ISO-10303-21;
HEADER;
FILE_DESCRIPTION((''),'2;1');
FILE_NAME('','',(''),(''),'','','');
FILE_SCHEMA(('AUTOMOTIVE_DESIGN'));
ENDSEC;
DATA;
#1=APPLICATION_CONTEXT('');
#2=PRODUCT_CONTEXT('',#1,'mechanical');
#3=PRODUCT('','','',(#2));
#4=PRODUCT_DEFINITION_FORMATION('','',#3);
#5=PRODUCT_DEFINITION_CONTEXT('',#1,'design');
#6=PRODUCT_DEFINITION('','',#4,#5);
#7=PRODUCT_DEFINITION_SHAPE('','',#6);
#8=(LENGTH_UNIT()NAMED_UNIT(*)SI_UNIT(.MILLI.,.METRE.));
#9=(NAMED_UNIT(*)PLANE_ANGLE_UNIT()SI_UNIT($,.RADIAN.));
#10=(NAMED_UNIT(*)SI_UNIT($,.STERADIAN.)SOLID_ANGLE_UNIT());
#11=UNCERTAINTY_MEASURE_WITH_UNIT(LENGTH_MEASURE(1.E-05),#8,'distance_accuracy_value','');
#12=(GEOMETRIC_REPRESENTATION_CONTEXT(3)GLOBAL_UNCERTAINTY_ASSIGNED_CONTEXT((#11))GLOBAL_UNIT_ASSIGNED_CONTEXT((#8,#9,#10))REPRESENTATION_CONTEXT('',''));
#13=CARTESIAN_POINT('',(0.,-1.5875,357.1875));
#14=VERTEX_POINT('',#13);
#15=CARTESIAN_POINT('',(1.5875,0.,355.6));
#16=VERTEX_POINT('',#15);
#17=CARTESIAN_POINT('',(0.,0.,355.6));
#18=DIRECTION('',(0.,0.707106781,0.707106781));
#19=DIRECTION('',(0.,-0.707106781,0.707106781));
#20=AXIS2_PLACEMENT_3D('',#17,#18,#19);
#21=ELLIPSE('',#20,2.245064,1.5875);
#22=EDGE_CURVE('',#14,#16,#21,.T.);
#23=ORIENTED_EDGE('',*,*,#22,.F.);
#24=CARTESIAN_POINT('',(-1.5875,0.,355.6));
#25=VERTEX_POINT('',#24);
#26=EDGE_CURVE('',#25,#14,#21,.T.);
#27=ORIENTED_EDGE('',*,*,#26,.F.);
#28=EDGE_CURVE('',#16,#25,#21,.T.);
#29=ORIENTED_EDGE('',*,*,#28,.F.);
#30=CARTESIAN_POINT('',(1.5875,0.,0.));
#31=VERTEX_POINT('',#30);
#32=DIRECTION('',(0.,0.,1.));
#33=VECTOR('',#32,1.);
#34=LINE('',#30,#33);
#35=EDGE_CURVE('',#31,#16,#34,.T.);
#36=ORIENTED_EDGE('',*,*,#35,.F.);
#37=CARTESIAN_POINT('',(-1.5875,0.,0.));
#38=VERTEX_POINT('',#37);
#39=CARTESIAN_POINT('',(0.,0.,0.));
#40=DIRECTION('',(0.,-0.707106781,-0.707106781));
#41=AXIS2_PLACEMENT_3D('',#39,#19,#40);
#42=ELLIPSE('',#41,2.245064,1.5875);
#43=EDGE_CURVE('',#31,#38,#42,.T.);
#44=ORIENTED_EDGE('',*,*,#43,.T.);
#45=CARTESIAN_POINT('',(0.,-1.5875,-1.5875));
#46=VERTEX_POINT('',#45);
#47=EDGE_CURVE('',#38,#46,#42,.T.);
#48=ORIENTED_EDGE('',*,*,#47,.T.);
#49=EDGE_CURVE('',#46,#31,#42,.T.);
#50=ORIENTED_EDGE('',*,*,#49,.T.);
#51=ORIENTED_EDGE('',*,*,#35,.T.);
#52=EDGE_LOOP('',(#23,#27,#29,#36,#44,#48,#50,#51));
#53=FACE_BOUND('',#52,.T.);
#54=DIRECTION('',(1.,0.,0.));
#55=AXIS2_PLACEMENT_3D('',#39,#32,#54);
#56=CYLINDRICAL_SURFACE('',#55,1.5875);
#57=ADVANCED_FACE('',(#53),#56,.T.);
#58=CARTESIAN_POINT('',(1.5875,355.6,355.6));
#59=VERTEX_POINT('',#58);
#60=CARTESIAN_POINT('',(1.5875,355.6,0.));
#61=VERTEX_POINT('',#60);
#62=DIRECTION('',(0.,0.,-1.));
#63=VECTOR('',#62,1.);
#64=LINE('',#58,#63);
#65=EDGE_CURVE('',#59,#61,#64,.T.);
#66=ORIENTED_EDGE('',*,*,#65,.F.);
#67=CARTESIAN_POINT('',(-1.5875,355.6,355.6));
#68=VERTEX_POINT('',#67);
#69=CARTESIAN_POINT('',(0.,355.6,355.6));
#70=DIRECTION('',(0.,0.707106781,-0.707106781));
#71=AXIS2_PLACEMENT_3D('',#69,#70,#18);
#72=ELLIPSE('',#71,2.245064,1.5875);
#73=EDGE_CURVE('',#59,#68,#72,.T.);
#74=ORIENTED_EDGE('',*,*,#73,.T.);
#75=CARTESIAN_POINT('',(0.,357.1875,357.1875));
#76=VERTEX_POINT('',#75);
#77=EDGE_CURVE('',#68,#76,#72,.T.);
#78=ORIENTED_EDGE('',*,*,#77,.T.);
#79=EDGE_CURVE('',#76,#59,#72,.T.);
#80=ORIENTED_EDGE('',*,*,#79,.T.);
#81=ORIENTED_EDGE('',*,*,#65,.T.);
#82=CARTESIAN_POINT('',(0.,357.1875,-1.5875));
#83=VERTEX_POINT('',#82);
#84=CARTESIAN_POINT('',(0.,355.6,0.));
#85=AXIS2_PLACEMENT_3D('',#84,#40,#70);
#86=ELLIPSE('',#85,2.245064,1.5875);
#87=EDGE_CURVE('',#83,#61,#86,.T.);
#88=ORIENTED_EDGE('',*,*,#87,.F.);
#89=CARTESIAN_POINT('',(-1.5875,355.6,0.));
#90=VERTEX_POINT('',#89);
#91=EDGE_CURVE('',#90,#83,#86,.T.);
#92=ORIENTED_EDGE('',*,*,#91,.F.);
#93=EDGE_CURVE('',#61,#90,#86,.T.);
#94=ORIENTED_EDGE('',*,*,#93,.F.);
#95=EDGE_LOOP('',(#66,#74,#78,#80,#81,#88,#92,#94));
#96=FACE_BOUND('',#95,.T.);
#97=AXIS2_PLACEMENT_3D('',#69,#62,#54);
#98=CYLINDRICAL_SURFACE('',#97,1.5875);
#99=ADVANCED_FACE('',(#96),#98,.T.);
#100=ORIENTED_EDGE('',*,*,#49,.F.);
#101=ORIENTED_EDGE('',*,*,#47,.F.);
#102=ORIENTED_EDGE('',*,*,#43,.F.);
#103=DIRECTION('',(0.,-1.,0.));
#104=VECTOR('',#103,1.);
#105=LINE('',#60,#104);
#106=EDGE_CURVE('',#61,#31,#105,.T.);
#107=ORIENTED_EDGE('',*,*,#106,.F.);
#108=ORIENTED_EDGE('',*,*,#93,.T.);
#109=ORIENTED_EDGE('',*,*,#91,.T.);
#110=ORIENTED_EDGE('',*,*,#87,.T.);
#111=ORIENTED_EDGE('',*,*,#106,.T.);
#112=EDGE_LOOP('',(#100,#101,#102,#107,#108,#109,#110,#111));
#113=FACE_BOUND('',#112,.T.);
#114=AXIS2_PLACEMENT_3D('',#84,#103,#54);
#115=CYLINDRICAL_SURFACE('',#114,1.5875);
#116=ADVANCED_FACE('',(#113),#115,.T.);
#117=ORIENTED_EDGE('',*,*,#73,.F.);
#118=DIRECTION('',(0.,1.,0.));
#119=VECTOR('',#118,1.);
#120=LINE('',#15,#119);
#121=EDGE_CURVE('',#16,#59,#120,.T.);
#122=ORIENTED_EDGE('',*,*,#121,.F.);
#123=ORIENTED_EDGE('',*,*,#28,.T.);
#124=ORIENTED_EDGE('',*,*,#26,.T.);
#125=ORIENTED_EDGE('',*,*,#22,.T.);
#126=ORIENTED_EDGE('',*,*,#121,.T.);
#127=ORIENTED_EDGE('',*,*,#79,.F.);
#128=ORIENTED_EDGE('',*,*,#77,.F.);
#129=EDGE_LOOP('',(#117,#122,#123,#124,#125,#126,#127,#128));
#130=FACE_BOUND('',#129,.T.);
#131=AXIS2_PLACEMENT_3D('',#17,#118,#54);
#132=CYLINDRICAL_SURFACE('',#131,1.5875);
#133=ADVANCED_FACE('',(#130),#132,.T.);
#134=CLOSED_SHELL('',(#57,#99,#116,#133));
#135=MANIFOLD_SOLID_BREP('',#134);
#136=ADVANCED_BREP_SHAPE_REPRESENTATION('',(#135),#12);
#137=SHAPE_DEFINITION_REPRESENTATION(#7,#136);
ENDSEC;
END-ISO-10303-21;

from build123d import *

# Parameters (mm, degrees)
F1_R = 1.5875


with BuildPart() as f2:
    # F2: sweep along a path in F0
    with BuildLine(Plane.YZ) as f2_path:
        Line((0, 0), (0, 355.6))
        Line((0, 355.6), (355.6, 355.6))
        Line((355.6, 355.6), (355.6, 0))
        Line((355.6, 0), (0, 0))
    # F1 (on Top) → F2 (sweep)
    with BuildSketch(Plane.XY):
        Circle(F1_R)
    sweep(path=f2_path.line, transition=Transition.RIGHT)


solid = f2.part
